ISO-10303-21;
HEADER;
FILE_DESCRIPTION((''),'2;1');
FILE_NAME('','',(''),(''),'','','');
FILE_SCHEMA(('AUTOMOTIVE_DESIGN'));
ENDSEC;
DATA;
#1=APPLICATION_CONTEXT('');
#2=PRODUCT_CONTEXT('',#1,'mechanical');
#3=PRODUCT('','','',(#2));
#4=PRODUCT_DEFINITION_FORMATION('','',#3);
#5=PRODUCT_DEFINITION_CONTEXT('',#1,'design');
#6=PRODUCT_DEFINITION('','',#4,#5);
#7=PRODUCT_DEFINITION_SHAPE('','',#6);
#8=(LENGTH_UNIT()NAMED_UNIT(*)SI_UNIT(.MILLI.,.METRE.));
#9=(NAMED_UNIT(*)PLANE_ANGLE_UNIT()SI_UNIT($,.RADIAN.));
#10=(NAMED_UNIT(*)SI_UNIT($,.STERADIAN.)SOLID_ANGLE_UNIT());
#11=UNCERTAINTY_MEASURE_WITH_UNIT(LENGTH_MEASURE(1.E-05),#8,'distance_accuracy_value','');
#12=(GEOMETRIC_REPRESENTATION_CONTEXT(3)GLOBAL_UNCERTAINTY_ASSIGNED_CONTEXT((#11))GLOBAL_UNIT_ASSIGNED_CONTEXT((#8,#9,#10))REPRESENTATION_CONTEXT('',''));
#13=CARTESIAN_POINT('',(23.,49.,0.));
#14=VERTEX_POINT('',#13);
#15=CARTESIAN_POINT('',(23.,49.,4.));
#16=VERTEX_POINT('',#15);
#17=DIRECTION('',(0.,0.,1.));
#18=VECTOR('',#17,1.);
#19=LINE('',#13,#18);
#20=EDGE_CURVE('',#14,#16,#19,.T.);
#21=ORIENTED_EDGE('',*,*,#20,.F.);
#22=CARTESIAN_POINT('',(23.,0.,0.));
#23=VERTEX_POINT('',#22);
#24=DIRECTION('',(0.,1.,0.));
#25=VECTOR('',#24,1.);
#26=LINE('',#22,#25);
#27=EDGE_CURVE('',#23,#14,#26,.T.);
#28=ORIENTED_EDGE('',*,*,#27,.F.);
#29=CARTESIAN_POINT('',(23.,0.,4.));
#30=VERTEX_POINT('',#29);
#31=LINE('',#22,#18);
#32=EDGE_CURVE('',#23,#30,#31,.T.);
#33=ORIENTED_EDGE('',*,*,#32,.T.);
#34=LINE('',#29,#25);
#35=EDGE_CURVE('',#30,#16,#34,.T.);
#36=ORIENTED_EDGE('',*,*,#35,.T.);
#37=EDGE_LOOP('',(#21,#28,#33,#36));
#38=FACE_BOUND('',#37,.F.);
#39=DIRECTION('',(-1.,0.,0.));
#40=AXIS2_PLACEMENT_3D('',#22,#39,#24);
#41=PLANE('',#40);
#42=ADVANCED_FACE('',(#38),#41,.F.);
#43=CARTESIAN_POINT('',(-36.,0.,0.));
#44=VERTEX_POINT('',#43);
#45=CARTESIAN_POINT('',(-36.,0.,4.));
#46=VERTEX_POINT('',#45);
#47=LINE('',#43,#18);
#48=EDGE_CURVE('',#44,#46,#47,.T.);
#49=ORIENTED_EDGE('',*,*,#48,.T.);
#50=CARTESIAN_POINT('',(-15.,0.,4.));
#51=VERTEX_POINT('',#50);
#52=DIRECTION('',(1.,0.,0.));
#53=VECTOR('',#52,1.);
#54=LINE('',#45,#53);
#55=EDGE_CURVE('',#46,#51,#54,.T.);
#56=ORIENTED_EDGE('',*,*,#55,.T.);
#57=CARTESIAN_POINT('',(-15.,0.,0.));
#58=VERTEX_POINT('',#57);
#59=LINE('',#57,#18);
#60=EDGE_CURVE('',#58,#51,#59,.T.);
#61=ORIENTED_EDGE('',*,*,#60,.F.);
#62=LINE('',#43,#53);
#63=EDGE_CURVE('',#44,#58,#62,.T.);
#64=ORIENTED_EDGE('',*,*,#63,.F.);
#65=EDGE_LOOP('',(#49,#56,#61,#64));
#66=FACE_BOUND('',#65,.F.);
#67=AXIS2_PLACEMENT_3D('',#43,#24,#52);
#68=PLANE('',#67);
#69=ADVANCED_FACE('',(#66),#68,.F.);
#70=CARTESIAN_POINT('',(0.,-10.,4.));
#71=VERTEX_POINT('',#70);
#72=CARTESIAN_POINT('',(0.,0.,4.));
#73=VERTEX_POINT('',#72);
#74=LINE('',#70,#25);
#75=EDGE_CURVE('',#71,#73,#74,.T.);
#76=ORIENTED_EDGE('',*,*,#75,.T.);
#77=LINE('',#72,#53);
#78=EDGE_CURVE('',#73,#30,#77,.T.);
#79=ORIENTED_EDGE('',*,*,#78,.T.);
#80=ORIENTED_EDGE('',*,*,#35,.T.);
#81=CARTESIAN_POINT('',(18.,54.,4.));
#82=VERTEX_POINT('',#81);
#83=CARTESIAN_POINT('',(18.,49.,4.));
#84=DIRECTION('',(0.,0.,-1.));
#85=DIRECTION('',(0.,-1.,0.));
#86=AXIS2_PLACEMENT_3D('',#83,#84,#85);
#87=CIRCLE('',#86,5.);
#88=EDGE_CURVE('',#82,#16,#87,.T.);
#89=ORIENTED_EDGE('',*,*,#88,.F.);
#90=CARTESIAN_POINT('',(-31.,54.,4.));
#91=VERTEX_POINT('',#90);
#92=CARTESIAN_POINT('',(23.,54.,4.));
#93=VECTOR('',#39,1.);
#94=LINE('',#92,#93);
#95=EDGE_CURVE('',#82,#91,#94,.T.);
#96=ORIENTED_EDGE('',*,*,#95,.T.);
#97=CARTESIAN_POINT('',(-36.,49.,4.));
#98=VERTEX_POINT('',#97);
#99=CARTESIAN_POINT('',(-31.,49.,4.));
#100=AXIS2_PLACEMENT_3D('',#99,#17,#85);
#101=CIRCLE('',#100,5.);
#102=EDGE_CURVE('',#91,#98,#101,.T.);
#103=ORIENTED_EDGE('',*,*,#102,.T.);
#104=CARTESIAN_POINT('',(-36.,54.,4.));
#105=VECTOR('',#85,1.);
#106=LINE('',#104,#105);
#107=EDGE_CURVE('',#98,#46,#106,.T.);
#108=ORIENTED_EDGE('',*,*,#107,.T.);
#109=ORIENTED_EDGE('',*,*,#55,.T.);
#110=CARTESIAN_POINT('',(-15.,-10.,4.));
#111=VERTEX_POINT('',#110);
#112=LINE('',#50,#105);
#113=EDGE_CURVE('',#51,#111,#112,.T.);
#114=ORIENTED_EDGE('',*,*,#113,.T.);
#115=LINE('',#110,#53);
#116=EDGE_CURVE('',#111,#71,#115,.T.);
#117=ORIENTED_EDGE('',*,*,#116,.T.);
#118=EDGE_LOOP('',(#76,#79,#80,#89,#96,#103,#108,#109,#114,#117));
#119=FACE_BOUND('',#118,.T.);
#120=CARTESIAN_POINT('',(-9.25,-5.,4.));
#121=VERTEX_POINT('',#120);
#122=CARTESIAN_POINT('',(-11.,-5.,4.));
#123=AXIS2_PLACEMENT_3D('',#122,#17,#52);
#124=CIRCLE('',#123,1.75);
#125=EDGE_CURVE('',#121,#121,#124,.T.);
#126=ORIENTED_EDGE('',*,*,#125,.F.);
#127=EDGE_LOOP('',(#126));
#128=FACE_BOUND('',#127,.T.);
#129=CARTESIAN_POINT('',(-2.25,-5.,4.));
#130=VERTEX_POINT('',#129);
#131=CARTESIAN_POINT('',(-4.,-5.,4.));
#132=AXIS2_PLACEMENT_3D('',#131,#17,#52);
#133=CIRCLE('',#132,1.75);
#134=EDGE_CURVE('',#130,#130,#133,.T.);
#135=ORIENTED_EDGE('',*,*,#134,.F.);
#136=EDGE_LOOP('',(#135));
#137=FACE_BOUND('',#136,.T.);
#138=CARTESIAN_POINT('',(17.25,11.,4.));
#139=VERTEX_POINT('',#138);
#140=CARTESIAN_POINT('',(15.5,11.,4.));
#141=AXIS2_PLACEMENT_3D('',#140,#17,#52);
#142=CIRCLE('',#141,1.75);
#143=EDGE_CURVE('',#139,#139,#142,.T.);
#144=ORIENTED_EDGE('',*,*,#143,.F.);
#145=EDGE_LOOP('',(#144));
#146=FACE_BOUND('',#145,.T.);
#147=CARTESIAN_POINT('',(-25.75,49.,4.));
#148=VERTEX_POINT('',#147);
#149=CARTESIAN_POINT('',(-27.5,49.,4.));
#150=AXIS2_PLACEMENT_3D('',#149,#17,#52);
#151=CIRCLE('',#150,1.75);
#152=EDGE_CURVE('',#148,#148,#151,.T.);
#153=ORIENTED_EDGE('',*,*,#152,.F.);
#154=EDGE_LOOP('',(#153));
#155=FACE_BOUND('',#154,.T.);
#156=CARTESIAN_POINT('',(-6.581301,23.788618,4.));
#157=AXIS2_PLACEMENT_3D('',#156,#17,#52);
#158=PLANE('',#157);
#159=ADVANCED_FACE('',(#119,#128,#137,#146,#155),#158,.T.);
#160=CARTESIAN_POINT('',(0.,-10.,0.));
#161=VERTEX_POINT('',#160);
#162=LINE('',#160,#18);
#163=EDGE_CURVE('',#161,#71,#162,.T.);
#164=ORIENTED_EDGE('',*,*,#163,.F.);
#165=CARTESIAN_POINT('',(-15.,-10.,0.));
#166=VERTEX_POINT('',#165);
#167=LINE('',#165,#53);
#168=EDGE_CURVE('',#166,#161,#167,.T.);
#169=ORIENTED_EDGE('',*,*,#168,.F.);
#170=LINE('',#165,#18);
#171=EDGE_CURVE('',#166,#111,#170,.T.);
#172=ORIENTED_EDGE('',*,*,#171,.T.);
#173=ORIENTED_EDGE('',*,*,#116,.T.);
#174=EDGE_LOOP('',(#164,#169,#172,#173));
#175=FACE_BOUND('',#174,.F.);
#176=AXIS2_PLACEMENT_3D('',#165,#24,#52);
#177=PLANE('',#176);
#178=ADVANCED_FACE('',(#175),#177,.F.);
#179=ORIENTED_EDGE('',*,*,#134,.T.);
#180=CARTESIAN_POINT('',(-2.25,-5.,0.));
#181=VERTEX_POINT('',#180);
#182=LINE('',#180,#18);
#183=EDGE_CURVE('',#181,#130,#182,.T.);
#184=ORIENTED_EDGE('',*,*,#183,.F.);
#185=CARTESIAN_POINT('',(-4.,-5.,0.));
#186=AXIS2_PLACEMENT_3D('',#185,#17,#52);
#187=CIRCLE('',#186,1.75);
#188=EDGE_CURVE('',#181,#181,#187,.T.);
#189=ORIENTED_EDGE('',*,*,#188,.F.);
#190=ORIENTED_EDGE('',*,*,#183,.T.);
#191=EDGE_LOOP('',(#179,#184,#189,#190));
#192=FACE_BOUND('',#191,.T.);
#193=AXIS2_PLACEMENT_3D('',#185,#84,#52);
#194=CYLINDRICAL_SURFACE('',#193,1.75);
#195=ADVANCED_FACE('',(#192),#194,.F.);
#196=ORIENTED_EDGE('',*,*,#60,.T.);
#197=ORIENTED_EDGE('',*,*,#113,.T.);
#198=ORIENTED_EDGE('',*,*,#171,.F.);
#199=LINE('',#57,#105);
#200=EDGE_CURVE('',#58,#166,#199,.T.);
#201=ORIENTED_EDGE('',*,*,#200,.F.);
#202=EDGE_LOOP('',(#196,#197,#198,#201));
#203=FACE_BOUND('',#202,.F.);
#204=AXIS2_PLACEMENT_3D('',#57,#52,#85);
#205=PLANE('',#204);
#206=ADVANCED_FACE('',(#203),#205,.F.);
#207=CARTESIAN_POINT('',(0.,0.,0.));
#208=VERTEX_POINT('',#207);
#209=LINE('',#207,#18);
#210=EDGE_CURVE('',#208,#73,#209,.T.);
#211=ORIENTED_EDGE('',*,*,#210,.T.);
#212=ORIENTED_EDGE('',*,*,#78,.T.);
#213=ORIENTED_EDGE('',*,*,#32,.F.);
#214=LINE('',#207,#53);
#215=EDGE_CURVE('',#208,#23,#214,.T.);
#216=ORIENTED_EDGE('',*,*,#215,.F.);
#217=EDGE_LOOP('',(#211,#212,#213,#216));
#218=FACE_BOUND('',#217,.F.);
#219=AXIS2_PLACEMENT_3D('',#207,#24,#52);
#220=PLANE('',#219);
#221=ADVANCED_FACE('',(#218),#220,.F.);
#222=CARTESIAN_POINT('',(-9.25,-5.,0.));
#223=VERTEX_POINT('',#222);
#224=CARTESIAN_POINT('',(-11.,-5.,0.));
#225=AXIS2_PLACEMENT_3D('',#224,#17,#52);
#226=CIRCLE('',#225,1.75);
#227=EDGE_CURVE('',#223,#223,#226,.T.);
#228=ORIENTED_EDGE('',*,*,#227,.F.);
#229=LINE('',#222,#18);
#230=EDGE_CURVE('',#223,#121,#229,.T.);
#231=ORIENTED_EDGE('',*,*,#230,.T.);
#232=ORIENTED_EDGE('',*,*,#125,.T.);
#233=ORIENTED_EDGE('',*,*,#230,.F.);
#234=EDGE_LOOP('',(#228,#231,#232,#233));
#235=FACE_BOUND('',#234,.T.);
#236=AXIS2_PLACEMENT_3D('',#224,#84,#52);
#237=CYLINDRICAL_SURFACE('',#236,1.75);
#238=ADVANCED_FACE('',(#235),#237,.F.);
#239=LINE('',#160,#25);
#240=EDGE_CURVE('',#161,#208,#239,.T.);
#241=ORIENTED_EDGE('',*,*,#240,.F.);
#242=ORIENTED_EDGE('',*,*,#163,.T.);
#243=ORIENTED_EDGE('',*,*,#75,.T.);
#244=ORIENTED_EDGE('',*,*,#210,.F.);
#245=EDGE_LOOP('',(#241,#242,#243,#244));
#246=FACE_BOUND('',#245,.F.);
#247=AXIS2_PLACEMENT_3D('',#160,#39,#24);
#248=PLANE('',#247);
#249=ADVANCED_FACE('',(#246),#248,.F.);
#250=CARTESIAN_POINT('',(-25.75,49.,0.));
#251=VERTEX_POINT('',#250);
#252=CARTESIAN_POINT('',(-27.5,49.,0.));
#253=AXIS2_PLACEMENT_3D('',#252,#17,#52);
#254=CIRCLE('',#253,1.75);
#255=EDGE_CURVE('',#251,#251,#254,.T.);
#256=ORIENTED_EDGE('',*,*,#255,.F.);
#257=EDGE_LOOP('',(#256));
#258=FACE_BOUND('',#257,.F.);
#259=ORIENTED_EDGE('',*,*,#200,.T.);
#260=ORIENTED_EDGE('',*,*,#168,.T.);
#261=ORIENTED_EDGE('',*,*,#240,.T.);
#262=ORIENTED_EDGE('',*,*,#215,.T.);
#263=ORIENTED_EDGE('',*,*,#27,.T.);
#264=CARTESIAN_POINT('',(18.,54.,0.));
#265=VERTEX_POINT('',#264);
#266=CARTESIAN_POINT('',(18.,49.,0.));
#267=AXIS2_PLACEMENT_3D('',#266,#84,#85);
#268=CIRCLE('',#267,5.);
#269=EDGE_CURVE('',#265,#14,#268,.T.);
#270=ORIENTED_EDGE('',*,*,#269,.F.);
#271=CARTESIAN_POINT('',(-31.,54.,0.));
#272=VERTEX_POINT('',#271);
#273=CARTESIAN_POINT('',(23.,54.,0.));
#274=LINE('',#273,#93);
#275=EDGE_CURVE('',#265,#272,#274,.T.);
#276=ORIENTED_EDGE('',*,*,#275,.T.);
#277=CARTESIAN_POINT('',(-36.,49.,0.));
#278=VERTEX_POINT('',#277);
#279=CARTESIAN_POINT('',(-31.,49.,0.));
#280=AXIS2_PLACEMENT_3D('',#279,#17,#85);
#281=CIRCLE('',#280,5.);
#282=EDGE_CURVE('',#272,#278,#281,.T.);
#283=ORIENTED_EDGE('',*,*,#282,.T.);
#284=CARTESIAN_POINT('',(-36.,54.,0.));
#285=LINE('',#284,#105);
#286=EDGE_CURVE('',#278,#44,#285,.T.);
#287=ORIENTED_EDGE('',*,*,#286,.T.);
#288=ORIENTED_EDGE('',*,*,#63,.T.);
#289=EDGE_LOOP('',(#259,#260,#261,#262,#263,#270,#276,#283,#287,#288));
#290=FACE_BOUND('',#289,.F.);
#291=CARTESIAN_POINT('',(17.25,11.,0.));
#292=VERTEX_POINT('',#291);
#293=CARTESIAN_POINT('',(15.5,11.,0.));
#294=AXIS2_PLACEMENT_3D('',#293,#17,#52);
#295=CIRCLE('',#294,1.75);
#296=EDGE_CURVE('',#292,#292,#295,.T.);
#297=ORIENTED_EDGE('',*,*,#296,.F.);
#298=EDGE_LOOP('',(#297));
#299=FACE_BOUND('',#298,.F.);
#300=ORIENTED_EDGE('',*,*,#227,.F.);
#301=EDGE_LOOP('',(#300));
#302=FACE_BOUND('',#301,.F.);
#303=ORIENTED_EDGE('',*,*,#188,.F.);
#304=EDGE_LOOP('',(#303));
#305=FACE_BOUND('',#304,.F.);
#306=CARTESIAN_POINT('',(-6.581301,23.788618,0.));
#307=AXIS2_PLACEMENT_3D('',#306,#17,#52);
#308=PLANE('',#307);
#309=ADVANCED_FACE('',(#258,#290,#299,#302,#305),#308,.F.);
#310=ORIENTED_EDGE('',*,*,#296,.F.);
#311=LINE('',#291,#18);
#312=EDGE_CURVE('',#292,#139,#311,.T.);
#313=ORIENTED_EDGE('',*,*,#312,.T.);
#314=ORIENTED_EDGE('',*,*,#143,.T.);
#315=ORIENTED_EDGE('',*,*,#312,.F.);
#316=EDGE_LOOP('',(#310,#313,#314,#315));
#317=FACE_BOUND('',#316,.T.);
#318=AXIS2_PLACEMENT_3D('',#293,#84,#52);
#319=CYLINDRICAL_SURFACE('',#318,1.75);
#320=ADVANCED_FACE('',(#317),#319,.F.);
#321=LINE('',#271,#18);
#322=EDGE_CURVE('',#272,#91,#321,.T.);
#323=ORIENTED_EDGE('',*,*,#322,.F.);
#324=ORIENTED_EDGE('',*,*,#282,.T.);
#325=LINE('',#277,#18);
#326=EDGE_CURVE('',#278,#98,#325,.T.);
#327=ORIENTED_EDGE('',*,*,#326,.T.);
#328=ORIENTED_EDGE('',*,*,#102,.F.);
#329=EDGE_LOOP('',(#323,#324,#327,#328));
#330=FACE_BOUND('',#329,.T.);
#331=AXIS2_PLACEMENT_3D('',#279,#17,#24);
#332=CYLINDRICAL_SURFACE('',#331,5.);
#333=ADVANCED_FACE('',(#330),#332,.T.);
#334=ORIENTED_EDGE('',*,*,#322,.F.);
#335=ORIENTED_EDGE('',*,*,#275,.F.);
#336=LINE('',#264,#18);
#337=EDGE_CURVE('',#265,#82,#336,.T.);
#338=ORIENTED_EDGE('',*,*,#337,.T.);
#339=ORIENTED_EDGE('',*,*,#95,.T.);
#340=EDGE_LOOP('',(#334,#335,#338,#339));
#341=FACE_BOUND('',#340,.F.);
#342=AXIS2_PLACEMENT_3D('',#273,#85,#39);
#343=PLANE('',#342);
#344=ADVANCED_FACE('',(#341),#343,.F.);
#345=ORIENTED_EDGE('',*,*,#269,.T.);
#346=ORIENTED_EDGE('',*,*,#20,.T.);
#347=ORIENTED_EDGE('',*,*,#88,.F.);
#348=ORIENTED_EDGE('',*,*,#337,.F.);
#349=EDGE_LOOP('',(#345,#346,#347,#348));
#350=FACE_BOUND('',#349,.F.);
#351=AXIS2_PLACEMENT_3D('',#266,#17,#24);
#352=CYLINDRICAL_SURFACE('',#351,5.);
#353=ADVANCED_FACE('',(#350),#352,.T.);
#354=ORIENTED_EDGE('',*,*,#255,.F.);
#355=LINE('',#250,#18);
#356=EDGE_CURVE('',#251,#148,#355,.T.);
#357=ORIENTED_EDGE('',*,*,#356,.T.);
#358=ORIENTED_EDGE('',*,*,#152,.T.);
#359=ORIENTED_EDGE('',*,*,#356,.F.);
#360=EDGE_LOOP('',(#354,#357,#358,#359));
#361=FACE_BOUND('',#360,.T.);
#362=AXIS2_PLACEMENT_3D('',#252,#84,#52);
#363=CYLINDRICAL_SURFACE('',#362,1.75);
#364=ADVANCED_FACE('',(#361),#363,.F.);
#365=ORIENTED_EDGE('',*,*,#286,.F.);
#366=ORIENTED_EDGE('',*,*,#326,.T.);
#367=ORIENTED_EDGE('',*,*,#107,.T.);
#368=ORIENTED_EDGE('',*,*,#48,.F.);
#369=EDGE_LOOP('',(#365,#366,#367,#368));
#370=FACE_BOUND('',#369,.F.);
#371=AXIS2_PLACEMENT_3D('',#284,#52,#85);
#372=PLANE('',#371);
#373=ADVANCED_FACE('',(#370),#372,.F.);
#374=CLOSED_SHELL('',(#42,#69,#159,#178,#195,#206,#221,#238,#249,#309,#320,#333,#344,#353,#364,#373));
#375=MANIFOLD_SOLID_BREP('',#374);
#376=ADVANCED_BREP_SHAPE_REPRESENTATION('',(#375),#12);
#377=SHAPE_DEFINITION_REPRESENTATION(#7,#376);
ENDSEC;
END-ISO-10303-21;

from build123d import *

# Parameters (mm, degrees)
F0_R     = 1.75
F1_DEPTH = 4
F2_R     = 5


with BuildPart() as f1:
    # F0 (on Top) → F1 (new body)
    with BuildSketch(Plane.XY):
        Polygon((23, 54), (-36, 54), (-36, 0), (-15, 0), (-15, -10), (0, -10), (0, 0), (23, 0), align=None)
        with Locations((-11, -5)):
            Circle(F0_R, mode=Mode.SUBTRACT)
        with Locations((-4, -5)):
            Circle(F0_R, mode=Mode.SUBTRACT)
        with Locations((15.5, 11)):
            Circle(F0_R, mode=Mode.SUBTRACT)
        with Locations((-27.5, 49)):
            Circle(F0_R, mode=Mode.SUBTRACT)
    extrude(amount=F1_DEPTH)

    # F2
    f2_edges = [f1.edges().sort_by_distance(p)[0] for p in [
        (23, 54, 2),
        (-36, 54, 2),
    ]]
    fillet(f2_edges, radius=F2_R)


solid = f1.part
